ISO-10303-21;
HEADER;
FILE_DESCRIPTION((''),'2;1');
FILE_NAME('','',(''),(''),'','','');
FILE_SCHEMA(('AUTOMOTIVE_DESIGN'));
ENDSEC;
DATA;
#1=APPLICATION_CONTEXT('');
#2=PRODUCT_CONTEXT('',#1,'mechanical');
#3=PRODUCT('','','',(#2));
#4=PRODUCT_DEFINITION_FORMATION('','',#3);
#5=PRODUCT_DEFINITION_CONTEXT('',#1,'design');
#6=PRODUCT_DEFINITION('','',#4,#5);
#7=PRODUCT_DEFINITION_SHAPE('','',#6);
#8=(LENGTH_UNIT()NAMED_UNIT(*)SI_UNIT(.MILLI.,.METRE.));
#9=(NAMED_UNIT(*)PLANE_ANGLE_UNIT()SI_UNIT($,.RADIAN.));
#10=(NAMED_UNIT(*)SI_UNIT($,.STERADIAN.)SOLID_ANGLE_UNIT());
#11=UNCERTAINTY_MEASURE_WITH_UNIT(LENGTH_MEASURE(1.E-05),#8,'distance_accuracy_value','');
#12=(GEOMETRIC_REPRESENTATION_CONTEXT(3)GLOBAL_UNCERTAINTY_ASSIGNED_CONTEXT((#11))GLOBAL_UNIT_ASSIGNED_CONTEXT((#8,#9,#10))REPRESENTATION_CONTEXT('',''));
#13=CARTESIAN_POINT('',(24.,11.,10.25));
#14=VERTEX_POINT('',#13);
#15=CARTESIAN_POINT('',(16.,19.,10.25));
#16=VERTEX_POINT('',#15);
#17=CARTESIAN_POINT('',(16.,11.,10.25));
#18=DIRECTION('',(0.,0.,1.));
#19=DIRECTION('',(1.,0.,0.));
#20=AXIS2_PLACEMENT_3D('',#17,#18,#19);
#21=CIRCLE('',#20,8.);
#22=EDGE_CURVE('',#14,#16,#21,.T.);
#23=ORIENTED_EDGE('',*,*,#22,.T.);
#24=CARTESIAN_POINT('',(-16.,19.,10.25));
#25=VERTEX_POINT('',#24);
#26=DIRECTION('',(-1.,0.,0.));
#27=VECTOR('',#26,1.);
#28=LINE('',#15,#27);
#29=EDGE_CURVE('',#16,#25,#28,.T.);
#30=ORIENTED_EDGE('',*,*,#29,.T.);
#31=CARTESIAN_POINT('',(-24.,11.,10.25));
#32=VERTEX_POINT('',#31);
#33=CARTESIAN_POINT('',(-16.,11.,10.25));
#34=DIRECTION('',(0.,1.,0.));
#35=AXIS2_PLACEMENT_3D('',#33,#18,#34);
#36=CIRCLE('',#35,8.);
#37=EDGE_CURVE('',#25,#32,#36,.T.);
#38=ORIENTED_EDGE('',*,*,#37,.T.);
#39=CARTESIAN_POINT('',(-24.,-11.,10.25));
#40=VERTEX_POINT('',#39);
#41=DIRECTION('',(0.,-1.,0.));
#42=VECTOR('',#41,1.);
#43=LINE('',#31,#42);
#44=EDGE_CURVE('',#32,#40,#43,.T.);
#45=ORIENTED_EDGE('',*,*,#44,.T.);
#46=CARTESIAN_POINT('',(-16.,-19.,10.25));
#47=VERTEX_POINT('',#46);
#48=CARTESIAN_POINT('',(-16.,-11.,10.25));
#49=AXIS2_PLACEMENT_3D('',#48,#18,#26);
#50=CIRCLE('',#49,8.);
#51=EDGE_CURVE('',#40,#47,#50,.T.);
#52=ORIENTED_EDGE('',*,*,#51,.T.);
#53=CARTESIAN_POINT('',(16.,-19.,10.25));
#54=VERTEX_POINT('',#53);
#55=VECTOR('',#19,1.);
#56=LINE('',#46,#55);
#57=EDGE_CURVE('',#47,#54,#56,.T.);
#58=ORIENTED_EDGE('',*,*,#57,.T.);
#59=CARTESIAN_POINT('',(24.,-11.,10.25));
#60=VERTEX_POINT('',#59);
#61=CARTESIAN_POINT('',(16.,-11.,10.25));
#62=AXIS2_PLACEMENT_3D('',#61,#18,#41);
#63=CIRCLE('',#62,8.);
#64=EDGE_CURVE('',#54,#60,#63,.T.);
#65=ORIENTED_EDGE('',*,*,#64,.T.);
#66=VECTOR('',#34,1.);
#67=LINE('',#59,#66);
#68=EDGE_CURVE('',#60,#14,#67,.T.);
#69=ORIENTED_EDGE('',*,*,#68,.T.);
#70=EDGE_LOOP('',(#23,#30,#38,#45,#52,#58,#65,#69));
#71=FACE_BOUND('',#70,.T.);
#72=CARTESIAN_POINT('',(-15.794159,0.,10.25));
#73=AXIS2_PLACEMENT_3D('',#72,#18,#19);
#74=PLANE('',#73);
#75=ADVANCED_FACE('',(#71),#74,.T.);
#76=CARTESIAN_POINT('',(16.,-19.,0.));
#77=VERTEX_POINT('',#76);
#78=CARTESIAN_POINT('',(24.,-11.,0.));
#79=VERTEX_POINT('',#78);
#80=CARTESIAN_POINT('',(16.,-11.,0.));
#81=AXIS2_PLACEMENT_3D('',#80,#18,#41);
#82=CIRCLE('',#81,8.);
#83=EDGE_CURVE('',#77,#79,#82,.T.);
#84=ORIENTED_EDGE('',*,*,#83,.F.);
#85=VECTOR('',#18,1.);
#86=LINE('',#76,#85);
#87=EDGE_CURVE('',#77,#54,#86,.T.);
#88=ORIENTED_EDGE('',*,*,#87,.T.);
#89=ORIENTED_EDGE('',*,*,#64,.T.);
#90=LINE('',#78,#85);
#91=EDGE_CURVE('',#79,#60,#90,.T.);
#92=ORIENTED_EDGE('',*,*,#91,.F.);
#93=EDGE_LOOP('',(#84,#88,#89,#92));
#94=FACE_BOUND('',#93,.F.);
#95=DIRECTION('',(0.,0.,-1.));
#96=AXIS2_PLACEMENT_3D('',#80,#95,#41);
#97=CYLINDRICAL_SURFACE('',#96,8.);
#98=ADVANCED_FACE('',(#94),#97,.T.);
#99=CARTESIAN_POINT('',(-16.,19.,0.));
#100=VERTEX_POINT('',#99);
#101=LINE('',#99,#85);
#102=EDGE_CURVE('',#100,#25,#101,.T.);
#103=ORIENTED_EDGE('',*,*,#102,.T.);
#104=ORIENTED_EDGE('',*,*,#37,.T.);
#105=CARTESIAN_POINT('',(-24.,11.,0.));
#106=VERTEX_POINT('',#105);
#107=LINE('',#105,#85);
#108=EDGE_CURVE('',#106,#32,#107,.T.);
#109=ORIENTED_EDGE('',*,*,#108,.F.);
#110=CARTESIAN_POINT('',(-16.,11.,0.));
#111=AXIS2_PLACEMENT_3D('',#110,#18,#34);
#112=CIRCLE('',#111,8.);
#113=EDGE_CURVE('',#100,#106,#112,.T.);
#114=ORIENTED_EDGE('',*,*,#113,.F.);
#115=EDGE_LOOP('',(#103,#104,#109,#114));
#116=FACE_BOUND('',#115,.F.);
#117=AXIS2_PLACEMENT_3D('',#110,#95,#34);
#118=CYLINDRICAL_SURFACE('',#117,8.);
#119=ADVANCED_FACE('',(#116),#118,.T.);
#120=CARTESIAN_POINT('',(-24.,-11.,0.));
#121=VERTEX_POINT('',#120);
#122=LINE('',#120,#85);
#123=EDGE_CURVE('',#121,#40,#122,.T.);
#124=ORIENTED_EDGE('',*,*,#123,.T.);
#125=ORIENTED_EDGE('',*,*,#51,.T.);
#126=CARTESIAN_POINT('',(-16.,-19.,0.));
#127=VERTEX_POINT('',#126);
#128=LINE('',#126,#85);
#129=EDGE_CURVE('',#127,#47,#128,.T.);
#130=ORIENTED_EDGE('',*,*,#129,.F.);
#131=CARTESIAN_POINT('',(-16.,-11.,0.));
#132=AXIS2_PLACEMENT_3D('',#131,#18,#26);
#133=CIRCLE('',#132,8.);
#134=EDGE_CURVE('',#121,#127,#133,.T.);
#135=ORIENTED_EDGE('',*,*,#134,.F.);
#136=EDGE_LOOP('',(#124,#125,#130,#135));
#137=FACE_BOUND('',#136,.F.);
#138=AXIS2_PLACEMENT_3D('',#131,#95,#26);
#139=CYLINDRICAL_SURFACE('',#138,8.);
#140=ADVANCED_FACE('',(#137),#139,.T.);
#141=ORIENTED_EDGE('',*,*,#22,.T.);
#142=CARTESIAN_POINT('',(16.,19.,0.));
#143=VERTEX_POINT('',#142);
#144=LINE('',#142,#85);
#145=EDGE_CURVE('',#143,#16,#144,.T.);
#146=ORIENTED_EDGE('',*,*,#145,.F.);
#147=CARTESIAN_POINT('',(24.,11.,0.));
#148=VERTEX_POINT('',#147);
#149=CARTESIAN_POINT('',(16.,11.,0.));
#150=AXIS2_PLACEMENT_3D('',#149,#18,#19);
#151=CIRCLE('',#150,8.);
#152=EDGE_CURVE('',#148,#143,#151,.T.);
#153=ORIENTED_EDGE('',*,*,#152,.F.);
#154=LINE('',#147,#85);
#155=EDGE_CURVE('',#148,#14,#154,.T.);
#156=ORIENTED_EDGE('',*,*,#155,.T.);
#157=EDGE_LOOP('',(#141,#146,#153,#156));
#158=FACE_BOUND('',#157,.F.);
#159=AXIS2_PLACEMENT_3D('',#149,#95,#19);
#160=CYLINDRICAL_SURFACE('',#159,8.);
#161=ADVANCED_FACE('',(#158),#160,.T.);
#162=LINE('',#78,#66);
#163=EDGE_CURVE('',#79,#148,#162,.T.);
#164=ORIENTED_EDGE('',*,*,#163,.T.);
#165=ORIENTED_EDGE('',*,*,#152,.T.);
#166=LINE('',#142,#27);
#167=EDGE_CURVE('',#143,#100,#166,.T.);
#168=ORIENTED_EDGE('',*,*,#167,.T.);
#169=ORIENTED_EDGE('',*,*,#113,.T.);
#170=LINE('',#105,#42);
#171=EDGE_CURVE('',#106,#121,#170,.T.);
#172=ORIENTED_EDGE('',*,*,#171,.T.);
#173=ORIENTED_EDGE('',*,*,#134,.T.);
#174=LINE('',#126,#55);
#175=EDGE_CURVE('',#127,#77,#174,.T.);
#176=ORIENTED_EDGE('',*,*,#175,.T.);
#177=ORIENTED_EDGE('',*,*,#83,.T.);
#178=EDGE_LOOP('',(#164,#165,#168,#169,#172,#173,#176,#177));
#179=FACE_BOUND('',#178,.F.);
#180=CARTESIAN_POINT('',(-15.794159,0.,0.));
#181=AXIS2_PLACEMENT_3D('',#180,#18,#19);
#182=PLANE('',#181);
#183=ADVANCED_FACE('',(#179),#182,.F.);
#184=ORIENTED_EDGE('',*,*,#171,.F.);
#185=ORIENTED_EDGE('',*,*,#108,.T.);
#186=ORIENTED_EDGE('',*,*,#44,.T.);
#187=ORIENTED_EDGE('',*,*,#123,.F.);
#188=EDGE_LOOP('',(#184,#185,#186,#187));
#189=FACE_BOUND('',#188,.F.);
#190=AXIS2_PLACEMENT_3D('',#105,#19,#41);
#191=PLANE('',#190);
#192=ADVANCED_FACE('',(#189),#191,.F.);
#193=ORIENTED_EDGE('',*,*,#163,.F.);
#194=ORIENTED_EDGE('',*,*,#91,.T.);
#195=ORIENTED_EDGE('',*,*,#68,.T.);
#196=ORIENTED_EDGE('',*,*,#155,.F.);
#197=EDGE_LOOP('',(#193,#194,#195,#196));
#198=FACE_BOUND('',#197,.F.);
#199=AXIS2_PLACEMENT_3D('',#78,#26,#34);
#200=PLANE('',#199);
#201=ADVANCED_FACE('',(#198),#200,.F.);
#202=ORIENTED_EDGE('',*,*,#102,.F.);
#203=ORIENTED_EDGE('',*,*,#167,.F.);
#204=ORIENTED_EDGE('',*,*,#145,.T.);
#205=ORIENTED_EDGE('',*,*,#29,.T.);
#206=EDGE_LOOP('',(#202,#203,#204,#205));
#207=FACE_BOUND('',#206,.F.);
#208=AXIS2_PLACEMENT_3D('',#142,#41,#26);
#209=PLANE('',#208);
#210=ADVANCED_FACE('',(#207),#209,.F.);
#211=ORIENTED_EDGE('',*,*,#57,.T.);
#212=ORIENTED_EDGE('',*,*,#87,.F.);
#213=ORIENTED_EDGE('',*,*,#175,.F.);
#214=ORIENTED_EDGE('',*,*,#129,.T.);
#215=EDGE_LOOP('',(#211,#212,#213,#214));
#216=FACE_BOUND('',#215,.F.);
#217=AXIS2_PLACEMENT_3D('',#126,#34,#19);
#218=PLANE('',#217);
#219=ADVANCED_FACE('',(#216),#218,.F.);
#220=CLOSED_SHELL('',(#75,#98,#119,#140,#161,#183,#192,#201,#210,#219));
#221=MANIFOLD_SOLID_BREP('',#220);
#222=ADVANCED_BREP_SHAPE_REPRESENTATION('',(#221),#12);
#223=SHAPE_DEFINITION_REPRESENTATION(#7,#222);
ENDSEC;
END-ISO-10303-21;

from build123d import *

# Parameters (mm, degrees)
F1_DEPTH = 10.25


with BuildPart() as f1:
    # F0 (on Top) → F1 (new body)
    with BuildSketch(Plane.XY):
        with BuildLine():
            Line((-8.9035464376, 19), (-16, 19))
            ThreePointArc((-16, 19), (-21.6568542495, 16.6568542495), (-24, 11))
            Line((-24, 11), (-24, -11))
            ThreePointArc((-24, -11), (-21.6568542495, -16.6568542495), (-16, -19))
            Line((-16, -19), (-8.9035464376, -19))
            Line((-8.9035464376, -19), (-8.9035464376, 19))
        make_face()
        with BuildLine():
            Line((16, 19), (-8.9035464376, 19))
            Line((-8.9035464376, 19), (-8.9035464376, -19))
            Line((-8.9035464376, -19), (16, -19))
            ThreePointArc((16, -19), (21.6568542495, -16.6568542495), (24, -11))
            Line((24, -11), (24, 11))
            ThreePointArc((24, 11), (21.6568542495, 16.6568542495), (16, 19))
        make_face()
    extrude(amount=F1_DEPTH)


solid = f1.part
